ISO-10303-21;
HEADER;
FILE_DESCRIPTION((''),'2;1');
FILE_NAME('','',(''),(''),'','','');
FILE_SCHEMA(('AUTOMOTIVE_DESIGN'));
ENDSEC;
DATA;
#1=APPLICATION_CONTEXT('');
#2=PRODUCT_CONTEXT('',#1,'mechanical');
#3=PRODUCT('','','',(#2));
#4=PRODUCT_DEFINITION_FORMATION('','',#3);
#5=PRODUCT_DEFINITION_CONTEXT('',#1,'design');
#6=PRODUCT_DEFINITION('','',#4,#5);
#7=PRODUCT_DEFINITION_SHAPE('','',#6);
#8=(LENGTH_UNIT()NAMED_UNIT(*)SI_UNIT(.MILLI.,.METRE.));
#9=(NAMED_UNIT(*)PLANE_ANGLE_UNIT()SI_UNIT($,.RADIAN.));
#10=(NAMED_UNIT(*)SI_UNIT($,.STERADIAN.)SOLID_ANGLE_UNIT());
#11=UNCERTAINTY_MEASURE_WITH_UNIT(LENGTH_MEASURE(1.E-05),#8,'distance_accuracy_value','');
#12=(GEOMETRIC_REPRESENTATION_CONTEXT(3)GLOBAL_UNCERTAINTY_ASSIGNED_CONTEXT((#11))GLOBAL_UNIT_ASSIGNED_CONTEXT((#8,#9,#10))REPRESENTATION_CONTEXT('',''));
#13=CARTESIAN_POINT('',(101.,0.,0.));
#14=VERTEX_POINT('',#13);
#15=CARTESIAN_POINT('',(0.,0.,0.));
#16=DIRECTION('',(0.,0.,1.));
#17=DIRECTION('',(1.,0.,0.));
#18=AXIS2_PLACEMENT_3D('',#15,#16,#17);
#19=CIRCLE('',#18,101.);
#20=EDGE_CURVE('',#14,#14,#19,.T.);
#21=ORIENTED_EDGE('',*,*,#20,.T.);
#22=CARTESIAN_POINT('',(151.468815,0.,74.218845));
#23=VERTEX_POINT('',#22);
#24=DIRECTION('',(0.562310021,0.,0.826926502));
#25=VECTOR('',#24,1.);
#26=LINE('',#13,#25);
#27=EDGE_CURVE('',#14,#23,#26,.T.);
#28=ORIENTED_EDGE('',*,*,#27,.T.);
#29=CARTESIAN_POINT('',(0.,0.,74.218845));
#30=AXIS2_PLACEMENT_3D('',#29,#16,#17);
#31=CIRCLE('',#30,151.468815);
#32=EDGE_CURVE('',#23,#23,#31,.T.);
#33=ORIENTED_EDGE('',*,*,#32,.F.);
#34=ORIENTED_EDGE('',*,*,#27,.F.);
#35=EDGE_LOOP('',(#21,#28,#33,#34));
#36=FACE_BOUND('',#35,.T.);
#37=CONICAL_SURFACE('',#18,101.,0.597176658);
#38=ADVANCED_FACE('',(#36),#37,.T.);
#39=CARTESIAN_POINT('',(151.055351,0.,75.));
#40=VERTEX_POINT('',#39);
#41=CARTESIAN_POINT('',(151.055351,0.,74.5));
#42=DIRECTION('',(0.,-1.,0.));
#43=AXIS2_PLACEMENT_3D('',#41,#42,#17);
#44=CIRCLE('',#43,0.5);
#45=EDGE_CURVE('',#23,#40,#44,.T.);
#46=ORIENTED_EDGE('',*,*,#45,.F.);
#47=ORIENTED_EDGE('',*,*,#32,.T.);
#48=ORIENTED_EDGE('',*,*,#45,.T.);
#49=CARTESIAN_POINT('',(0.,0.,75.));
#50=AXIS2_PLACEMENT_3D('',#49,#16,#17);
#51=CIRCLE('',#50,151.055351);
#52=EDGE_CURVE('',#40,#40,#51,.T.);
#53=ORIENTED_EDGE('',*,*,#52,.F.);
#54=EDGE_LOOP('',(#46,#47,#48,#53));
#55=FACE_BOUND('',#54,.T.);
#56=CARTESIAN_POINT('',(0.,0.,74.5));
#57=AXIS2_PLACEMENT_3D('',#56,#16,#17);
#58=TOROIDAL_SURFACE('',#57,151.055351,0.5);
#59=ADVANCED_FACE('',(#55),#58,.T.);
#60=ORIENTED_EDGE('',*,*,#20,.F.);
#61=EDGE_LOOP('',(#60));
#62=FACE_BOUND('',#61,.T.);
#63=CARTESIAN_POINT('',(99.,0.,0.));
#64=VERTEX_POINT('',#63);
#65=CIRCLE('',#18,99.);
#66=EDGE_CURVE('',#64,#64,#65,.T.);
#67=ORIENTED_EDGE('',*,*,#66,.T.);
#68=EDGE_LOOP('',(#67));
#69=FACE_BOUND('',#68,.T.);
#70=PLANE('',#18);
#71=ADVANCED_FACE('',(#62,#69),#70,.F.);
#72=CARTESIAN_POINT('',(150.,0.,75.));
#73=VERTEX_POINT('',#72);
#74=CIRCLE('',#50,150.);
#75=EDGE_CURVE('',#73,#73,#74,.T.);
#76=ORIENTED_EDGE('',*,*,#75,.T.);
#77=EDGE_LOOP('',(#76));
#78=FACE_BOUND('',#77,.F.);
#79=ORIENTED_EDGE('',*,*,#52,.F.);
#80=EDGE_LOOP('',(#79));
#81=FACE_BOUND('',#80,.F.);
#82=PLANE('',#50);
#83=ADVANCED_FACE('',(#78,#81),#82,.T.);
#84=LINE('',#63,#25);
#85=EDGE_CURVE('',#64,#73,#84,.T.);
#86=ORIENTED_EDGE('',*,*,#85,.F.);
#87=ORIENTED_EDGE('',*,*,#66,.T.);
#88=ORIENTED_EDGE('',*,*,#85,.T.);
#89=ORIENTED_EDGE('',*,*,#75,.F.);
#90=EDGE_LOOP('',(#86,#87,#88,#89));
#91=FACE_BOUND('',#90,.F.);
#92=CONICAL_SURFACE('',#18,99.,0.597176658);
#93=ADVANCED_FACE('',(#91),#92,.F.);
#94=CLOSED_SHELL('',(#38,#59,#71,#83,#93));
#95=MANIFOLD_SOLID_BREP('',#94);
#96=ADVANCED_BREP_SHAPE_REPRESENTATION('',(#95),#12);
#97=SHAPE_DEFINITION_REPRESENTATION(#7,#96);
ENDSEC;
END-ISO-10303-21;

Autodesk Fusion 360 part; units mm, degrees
sketch "Sketch1" plane through (0, 0, 0) normal (0, 1, 0) x (1, 0, 0)
  line L0 (0, 0) -> (0, -75) construction
  line L1 (0, -75) -> (150, -75) construction
  line L2 (0, 0) -> (99, 0) construction
  line L3 (99, 0) -> (150, -75)
  line L4 (150, -75) -> (152, -75)
  line L5 (99, 0) -> (101, 0)
  line L6 (101, 0) -> (152, -75)
  dimension "d2" = 75
  dimension "d3" = 150
  dimension "d12" = 99
  dimension "d13" = 2
  dimension "d14" = 2
revolve "Revolve2" add sketch "Sketch1" angle 360 about axis through (0, 0, 0) along (0, 0, 1)
fillet "Fillet2" radius 0.5 1 edges at (-141.7138, -54.9655, 75)
equation "d3 = ( 300 / 2 ) * 1 mm"
equation "d12 = ( 198 / 2 ) * 1 mm"
equation "d13 = materialthickness"
equation "d14 = materialthickness"
equation "materialthickness = 2 mm"
